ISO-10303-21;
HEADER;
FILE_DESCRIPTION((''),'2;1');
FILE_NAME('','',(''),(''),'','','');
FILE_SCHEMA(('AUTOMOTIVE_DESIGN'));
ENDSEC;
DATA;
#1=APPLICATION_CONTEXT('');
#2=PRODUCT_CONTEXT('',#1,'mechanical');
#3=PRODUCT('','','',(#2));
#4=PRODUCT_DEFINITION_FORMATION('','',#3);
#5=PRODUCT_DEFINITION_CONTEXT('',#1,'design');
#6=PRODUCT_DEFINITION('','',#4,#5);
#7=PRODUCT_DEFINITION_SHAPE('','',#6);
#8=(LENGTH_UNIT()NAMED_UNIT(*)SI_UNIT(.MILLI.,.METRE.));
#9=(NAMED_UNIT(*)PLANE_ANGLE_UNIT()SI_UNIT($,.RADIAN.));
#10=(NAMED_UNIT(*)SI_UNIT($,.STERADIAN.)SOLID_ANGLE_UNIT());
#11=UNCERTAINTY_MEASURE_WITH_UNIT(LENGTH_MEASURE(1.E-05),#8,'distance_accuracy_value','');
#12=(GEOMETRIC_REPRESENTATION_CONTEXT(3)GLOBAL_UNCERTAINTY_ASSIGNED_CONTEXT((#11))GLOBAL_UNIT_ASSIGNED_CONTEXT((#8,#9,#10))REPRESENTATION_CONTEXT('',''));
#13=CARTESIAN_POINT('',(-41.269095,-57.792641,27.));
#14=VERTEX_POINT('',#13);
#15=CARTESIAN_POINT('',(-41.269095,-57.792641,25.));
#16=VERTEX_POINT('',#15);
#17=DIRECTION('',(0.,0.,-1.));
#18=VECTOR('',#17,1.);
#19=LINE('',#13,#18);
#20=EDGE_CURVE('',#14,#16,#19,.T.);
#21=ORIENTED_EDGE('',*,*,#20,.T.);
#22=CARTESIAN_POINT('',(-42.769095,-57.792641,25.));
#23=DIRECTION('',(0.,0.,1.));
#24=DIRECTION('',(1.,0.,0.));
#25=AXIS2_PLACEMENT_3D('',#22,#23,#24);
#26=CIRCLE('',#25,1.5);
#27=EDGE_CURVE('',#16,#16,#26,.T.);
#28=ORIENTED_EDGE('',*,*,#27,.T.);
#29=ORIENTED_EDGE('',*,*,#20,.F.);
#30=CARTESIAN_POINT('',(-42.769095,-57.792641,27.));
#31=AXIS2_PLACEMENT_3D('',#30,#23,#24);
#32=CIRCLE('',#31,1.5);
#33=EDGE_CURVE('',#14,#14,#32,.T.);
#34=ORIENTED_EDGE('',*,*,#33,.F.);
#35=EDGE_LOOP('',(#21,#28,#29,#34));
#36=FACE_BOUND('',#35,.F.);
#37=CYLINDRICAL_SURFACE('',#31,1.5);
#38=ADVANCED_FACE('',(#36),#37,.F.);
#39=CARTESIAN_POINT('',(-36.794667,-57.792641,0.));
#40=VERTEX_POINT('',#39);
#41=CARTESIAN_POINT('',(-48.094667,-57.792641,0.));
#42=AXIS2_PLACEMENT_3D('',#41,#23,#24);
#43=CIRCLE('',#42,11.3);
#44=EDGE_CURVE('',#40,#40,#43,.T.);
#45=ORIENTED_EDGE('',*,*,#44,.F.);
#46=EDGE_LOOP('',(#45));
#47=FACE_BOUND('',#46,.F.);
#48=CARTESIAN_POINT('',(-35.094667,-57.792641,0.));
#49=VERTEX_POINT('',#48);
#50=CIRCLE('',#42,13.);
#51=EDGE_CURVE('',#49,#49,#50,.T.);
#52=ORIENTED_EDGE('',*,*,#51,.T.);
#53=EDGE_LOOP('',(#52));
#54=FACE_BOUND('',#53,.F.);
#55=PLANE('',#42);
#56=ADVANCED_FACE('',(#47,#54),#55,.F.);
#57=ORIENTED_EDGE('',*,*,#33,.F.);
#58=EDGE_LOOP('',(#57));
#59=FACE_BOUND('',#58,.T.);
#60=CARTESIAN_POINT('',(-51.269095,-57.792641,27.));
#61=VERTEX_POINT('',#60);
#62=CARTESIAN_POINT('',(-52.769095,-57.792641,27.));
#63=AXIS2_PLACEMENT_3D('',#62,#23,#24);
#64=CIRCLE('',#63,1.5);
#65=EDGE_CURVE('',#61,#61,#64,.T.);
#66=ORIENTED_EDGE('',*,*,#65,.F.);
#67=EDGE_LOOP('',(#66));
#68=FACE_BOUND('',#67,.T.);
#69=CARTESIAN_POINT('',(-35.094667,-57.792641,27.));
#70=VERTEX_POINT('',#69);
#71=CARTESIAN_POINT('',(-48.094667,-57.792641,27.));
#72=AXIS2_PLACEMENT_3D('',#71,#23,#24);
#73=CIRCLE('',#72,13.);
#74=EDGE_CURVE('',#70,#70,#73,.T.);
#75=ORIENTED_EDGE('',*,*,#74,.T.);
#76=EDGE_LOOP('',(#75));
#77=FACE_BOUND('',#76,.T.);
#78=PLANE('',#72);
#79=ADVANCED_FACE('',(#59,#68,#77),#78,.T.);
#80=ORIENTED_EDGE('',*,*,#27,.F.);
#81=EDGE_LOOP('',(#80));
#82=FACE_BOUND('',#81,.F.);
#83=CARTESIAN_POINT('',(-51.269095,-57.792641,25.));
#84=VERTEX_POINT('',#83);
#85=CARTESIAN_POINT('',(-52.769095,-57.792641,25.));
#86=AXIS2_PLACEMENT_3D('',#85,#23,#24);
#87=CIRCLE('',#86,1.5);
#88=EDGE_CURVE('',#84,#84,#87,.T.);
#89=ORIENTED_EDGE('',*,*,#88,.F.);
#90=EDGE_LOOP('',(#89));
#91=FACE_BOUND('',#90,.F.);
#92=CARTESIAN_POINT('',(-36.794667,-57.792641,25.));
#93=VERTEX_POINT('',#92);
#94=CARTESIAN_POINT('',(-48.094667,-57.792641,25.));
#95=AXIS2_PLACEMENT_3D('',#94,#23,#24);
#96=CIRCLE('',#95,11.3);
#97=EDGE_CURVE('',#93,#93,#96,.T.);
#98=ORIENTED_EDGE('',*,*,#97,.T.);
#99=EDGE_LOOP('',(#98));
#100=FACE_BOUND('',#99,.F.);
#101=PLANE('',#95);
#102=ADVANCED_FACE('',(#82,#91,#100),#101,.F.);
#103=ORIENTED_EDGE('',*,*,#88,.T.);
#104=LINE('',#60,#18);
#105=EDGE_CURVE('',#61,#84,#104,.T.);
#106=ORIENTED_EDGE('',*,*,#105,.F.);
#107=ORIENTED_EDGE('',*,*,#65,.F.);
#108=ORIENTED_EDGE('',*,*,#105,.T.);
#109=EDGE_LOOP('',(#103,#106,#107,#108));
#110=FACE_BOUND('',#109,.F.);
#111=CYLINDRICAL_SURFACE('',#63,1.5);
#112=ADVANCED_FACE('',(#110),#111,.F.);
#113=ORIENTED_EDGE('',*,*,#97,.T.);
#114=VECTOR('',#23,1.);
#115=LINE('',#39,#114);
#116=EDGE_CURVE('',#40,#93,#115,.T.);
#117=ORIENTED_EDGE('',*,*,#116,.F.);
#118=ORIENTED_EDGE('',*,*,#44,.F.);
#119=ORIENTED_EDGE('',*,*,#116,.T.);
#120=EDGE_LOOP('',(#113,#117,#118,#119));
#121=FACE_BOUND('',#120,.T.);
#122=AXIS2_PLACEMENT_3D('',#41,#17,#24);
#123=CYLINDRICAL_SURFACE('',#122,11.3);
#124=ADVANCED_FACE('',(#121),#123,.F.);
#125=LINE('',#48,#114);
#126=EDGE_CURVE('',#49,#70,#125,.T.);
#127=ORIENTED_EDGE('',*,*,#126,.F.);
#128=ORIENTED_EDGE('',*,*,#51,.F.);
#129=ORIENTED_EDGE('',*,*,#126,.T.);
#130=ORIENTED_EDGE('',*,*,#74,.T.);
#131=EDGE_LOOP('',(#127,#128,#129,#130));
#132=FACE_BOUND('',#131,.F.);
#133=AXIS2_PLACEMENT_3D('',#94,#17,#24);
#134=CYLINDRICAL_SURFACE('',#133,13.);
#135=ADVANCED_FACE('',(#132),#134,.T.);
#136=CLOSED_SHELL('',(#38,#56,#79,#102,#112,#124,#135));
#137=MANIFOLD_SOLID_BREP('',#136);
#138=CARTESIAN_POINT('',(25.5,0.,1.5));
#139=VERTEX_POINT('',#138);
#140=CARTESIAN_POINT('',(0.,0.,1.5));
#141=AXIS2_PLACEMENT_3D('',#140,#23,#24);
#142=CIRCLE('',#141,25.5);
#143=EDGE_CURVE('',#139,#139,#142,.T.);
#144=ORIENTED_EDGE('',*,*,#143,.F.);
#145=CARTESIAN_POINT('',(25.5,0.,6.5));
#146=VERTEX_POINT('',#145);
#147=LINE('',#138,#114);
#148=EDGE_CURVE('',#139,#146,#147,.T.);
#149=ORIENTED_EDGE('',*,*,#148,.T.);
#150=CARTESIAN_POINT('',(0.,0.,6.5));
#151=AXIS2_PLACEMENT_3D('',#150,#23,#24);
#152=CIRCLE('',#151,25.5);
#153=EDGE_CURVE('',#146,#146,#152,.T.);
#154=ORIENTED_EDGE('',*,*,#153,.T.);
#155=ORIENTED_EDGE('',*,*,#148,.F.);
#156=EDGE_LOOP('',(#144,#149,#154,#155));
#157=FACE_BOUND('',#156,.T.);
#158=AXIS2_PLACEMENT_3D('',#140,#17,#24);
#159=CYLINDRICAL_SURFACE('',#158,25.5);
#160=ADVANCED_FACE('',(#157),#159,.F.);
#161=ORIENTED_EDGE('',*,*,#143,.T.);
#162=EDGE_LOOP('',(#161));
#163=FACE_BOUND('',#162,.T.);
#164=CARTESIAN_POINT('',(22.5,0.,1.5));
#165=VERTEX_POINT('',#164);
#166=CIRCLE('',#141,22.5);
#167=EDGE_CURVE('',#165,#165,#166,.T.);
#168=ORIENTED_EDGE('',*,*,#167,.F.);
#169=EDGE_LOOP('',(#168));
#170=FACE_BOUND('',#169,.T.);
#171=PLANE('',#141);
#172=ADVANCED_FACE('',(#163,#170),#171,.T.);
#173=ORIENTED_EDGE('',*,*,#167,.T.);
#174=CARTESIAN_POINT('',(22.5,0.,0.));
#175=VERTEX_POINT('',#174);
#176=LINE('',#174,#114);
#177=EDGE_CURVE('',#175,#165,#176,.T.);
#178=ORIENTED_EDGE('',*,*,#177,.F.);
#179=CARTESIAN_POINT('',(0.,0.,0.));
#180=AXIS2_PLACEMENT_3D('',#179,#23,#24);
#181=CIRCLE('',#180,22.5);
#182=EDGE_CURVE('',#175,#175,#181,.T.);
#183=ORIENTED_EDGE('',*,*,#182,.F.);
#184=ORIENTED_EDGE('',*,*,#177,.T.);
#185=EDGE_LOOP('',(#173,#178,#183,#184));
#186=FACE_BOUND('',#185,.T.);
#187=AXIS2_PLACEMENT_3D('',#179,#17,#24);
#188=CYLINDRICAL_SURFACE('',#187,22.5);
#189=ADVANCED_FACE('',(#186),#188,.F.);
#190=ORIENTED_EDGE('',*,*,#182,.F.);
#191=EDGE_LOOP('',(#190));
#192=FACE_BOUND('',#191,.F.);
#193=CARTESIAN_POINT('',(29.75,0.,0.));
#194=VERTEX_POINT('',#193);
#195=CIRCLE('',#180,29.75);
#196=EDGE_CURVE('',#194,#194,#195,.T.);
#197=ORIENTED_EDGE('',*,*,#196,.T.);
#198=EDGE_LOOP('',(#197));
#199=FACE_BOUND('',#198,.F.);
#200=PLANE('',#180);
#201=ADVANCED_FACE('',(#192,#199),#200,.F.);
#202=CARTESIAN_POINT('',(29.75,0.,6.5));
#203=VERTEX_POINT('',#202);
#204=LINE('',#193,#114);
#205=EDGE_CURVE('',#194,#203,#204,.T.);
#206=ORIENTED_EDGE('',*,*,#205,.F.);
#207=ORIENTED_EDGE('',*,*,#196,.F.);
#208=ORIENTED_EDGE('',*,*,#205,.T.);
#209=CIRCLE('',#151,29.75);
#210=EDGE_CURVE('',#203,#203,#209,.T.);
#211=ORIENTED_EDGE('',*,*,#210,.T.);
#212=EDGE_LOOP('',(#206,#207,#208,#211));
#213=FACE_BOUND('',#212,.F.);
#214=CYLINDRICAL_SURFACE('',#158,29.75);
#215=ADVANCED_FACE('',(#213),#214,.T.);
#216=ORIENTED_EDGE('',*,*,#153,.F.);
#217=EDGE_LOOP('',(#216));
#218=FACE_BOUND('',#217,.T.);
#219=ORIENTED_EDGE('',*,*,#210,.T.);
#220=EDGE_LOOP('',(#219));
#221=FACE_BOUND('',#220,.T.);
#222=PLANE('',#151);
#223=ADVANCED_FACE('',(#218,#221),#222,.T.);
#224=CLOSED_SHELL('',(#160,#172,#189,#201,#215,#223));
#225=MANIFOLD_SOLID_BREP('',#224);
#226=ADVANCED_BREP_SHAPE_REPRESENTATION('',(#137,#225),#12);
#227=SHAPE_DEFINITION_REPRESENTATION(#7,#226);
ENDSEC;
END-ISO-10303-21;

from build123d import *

# Parameters (mm, degrees)
F0_R     = 29.75
F0_R_2   = 22.5
F1_DEPTH = 1.5
F2_R     = 29.75
F2_R_2   = 25.5
F3_DEPTH = 5
F4_R     = 13
F4_R_2   = 11.3
F5_DEPTH = 25
F6_R     = 13
F7_DEPTH = 2
F8_R     = 1.5
F9_DEPTH = 2


with BuildPart() as f1:
    # F0 (on Top) → F1 (new body)
    with BuildSketch(Plane.XY):
        Circle(F0_R)
        Circle(F0_R_2, mode=Mode.SUBTRACT)
    extrude(amount=F1_DEPTH)

    # F2 (on face) → F3 (join)
    with BuildSketch(Plane.XY.offset(1.5)):
        Circle(F2_R)
        Circle(F2_R_2, mode=Mode.SUBTRACT)
    extrude(amount=F3_DEPTH)


with BuildPart() as f5:
    # F4 (on Top) → F5 (new body)
    with BuildSketch(Plane.XY):
        with Locations((-48.094667, -57.792641)):
            Circle(F4_R)
        with Locations((-48.094667, -57.792641)):
            Circle(F4_R_2, mode=Mode.SUBTRACT)
    extrude(amount=F5_DEPTH)

    # F6 (on face) → F7 (join)
    with BuildSketch(Plane.XY.offset(25)):
        with Locations((-48.094667, -57.792641)):
            Circle(F6_R)
    extrude(amount=F7_DEPTH)

    # F8 (on face) → F9 (cut, through all)
    with BuildSketch(Plane.XY.offset(27)):
        with Locations((-42.769095, -57.792641)):
            Circle(F8_R)
        with Locations((-52.769095, -57.792641)):
            Circle(F8_R)
    extrude(amount=-F9_DEPTH, mode=Mode.SUBTRACT)


solid = Compound([f1.part, f5.part])
